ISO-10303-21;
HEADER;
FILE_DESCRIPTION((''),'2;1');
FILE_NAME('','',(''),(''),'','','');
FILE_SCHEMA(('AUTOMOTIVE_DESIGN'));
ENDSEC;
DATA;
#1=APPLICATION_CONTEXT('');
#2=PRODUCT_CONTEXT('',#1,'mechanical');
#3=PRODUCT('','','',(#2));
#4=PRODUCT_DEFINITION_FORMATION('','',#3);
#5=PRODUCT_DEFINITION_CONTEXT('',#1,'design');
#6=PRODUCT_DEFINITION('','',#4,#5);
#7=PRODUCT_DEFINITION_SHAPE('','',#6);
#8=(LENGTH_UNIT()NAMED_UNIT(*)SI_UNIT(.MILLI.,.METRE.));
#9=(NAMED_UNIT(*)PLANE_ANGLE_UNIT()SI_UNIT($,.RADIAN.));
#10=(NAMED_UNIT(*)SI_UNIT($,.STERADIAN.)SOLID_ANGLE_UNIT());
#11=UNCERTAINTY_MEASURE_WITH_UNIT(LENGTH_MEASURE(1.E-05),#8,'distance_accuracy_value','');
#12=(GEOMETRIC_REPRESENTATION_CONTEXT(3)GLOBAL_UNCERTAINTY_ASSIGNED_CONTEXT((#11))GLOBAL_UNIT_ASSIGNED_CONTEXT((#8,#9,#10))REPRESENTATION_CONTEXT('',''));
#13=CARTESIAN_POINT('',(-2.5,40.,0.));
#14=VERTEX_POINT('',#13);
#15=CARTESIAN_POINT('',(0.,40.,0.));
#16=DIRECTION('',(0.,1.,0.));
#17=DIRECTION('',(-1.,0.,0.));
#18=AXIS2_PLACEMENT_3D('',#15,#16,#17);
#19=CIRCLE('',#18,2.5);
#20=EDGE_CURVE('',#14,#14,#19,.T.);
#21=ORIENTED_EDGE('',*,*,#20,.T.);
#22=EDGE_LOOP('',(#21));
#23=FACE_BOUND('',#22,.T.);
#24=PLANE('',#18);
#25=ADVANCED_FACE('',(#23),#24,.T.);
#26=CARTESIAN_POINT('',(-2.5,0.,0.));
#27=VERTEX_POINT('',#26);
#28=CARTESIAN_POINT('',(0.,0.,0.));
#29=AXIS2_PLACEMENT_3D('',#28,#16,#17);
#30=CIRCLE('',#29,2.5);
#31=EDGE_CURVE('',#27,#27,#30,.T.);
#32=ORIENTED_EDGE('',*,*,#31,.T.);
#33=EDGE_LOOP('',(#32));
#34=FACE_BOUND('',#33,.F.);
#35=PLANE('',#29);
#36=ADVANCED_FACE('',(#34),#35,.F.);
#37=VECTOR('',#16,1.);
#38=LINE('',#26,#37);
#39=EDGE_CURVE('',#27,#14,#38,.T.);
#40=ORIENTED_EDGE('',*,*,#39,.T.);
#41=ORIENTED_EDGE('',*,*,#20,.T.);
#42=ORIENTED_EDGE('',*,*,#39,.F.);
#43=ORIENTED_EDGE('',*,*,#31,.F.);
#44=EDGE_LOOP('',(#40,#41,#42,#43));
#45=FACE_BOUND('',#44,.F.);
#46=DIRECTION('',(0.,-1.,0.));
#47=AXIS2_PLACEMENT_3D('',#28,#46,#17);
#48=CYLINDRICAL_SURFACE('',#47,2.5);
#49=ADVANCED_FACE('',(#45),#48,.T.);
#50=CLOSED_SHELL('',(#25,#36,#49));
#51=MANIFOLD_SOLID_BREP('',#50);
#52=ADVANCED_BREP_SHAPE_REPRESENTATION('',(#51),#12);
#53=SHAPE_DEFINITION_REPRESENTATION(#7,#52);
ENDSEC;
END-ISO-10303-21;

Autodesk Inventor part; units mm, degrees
ref_plane "YZ Plane" through (0, 0, 0) normal (1, 0, 0) x (0, 1, 0)
ref_plane "XZ Plane" through (0, 0, 0) normal (0, 1, 0) x (-1, 0, 0)
ref_plane "XY Plane" through (0, 0, 0) normal (0, 0, 1) x (1, 0, 0)
sketch "Sketch1" plane through (0, 0, 0) normal (0, 1, 0) x (-1, 0, 0)
  circle A0 centre (0, 0) radius 2.5
  dimension "d0" = 5
extrude "Extrusion1" add sketch "Sketch1" along normal blind 40
